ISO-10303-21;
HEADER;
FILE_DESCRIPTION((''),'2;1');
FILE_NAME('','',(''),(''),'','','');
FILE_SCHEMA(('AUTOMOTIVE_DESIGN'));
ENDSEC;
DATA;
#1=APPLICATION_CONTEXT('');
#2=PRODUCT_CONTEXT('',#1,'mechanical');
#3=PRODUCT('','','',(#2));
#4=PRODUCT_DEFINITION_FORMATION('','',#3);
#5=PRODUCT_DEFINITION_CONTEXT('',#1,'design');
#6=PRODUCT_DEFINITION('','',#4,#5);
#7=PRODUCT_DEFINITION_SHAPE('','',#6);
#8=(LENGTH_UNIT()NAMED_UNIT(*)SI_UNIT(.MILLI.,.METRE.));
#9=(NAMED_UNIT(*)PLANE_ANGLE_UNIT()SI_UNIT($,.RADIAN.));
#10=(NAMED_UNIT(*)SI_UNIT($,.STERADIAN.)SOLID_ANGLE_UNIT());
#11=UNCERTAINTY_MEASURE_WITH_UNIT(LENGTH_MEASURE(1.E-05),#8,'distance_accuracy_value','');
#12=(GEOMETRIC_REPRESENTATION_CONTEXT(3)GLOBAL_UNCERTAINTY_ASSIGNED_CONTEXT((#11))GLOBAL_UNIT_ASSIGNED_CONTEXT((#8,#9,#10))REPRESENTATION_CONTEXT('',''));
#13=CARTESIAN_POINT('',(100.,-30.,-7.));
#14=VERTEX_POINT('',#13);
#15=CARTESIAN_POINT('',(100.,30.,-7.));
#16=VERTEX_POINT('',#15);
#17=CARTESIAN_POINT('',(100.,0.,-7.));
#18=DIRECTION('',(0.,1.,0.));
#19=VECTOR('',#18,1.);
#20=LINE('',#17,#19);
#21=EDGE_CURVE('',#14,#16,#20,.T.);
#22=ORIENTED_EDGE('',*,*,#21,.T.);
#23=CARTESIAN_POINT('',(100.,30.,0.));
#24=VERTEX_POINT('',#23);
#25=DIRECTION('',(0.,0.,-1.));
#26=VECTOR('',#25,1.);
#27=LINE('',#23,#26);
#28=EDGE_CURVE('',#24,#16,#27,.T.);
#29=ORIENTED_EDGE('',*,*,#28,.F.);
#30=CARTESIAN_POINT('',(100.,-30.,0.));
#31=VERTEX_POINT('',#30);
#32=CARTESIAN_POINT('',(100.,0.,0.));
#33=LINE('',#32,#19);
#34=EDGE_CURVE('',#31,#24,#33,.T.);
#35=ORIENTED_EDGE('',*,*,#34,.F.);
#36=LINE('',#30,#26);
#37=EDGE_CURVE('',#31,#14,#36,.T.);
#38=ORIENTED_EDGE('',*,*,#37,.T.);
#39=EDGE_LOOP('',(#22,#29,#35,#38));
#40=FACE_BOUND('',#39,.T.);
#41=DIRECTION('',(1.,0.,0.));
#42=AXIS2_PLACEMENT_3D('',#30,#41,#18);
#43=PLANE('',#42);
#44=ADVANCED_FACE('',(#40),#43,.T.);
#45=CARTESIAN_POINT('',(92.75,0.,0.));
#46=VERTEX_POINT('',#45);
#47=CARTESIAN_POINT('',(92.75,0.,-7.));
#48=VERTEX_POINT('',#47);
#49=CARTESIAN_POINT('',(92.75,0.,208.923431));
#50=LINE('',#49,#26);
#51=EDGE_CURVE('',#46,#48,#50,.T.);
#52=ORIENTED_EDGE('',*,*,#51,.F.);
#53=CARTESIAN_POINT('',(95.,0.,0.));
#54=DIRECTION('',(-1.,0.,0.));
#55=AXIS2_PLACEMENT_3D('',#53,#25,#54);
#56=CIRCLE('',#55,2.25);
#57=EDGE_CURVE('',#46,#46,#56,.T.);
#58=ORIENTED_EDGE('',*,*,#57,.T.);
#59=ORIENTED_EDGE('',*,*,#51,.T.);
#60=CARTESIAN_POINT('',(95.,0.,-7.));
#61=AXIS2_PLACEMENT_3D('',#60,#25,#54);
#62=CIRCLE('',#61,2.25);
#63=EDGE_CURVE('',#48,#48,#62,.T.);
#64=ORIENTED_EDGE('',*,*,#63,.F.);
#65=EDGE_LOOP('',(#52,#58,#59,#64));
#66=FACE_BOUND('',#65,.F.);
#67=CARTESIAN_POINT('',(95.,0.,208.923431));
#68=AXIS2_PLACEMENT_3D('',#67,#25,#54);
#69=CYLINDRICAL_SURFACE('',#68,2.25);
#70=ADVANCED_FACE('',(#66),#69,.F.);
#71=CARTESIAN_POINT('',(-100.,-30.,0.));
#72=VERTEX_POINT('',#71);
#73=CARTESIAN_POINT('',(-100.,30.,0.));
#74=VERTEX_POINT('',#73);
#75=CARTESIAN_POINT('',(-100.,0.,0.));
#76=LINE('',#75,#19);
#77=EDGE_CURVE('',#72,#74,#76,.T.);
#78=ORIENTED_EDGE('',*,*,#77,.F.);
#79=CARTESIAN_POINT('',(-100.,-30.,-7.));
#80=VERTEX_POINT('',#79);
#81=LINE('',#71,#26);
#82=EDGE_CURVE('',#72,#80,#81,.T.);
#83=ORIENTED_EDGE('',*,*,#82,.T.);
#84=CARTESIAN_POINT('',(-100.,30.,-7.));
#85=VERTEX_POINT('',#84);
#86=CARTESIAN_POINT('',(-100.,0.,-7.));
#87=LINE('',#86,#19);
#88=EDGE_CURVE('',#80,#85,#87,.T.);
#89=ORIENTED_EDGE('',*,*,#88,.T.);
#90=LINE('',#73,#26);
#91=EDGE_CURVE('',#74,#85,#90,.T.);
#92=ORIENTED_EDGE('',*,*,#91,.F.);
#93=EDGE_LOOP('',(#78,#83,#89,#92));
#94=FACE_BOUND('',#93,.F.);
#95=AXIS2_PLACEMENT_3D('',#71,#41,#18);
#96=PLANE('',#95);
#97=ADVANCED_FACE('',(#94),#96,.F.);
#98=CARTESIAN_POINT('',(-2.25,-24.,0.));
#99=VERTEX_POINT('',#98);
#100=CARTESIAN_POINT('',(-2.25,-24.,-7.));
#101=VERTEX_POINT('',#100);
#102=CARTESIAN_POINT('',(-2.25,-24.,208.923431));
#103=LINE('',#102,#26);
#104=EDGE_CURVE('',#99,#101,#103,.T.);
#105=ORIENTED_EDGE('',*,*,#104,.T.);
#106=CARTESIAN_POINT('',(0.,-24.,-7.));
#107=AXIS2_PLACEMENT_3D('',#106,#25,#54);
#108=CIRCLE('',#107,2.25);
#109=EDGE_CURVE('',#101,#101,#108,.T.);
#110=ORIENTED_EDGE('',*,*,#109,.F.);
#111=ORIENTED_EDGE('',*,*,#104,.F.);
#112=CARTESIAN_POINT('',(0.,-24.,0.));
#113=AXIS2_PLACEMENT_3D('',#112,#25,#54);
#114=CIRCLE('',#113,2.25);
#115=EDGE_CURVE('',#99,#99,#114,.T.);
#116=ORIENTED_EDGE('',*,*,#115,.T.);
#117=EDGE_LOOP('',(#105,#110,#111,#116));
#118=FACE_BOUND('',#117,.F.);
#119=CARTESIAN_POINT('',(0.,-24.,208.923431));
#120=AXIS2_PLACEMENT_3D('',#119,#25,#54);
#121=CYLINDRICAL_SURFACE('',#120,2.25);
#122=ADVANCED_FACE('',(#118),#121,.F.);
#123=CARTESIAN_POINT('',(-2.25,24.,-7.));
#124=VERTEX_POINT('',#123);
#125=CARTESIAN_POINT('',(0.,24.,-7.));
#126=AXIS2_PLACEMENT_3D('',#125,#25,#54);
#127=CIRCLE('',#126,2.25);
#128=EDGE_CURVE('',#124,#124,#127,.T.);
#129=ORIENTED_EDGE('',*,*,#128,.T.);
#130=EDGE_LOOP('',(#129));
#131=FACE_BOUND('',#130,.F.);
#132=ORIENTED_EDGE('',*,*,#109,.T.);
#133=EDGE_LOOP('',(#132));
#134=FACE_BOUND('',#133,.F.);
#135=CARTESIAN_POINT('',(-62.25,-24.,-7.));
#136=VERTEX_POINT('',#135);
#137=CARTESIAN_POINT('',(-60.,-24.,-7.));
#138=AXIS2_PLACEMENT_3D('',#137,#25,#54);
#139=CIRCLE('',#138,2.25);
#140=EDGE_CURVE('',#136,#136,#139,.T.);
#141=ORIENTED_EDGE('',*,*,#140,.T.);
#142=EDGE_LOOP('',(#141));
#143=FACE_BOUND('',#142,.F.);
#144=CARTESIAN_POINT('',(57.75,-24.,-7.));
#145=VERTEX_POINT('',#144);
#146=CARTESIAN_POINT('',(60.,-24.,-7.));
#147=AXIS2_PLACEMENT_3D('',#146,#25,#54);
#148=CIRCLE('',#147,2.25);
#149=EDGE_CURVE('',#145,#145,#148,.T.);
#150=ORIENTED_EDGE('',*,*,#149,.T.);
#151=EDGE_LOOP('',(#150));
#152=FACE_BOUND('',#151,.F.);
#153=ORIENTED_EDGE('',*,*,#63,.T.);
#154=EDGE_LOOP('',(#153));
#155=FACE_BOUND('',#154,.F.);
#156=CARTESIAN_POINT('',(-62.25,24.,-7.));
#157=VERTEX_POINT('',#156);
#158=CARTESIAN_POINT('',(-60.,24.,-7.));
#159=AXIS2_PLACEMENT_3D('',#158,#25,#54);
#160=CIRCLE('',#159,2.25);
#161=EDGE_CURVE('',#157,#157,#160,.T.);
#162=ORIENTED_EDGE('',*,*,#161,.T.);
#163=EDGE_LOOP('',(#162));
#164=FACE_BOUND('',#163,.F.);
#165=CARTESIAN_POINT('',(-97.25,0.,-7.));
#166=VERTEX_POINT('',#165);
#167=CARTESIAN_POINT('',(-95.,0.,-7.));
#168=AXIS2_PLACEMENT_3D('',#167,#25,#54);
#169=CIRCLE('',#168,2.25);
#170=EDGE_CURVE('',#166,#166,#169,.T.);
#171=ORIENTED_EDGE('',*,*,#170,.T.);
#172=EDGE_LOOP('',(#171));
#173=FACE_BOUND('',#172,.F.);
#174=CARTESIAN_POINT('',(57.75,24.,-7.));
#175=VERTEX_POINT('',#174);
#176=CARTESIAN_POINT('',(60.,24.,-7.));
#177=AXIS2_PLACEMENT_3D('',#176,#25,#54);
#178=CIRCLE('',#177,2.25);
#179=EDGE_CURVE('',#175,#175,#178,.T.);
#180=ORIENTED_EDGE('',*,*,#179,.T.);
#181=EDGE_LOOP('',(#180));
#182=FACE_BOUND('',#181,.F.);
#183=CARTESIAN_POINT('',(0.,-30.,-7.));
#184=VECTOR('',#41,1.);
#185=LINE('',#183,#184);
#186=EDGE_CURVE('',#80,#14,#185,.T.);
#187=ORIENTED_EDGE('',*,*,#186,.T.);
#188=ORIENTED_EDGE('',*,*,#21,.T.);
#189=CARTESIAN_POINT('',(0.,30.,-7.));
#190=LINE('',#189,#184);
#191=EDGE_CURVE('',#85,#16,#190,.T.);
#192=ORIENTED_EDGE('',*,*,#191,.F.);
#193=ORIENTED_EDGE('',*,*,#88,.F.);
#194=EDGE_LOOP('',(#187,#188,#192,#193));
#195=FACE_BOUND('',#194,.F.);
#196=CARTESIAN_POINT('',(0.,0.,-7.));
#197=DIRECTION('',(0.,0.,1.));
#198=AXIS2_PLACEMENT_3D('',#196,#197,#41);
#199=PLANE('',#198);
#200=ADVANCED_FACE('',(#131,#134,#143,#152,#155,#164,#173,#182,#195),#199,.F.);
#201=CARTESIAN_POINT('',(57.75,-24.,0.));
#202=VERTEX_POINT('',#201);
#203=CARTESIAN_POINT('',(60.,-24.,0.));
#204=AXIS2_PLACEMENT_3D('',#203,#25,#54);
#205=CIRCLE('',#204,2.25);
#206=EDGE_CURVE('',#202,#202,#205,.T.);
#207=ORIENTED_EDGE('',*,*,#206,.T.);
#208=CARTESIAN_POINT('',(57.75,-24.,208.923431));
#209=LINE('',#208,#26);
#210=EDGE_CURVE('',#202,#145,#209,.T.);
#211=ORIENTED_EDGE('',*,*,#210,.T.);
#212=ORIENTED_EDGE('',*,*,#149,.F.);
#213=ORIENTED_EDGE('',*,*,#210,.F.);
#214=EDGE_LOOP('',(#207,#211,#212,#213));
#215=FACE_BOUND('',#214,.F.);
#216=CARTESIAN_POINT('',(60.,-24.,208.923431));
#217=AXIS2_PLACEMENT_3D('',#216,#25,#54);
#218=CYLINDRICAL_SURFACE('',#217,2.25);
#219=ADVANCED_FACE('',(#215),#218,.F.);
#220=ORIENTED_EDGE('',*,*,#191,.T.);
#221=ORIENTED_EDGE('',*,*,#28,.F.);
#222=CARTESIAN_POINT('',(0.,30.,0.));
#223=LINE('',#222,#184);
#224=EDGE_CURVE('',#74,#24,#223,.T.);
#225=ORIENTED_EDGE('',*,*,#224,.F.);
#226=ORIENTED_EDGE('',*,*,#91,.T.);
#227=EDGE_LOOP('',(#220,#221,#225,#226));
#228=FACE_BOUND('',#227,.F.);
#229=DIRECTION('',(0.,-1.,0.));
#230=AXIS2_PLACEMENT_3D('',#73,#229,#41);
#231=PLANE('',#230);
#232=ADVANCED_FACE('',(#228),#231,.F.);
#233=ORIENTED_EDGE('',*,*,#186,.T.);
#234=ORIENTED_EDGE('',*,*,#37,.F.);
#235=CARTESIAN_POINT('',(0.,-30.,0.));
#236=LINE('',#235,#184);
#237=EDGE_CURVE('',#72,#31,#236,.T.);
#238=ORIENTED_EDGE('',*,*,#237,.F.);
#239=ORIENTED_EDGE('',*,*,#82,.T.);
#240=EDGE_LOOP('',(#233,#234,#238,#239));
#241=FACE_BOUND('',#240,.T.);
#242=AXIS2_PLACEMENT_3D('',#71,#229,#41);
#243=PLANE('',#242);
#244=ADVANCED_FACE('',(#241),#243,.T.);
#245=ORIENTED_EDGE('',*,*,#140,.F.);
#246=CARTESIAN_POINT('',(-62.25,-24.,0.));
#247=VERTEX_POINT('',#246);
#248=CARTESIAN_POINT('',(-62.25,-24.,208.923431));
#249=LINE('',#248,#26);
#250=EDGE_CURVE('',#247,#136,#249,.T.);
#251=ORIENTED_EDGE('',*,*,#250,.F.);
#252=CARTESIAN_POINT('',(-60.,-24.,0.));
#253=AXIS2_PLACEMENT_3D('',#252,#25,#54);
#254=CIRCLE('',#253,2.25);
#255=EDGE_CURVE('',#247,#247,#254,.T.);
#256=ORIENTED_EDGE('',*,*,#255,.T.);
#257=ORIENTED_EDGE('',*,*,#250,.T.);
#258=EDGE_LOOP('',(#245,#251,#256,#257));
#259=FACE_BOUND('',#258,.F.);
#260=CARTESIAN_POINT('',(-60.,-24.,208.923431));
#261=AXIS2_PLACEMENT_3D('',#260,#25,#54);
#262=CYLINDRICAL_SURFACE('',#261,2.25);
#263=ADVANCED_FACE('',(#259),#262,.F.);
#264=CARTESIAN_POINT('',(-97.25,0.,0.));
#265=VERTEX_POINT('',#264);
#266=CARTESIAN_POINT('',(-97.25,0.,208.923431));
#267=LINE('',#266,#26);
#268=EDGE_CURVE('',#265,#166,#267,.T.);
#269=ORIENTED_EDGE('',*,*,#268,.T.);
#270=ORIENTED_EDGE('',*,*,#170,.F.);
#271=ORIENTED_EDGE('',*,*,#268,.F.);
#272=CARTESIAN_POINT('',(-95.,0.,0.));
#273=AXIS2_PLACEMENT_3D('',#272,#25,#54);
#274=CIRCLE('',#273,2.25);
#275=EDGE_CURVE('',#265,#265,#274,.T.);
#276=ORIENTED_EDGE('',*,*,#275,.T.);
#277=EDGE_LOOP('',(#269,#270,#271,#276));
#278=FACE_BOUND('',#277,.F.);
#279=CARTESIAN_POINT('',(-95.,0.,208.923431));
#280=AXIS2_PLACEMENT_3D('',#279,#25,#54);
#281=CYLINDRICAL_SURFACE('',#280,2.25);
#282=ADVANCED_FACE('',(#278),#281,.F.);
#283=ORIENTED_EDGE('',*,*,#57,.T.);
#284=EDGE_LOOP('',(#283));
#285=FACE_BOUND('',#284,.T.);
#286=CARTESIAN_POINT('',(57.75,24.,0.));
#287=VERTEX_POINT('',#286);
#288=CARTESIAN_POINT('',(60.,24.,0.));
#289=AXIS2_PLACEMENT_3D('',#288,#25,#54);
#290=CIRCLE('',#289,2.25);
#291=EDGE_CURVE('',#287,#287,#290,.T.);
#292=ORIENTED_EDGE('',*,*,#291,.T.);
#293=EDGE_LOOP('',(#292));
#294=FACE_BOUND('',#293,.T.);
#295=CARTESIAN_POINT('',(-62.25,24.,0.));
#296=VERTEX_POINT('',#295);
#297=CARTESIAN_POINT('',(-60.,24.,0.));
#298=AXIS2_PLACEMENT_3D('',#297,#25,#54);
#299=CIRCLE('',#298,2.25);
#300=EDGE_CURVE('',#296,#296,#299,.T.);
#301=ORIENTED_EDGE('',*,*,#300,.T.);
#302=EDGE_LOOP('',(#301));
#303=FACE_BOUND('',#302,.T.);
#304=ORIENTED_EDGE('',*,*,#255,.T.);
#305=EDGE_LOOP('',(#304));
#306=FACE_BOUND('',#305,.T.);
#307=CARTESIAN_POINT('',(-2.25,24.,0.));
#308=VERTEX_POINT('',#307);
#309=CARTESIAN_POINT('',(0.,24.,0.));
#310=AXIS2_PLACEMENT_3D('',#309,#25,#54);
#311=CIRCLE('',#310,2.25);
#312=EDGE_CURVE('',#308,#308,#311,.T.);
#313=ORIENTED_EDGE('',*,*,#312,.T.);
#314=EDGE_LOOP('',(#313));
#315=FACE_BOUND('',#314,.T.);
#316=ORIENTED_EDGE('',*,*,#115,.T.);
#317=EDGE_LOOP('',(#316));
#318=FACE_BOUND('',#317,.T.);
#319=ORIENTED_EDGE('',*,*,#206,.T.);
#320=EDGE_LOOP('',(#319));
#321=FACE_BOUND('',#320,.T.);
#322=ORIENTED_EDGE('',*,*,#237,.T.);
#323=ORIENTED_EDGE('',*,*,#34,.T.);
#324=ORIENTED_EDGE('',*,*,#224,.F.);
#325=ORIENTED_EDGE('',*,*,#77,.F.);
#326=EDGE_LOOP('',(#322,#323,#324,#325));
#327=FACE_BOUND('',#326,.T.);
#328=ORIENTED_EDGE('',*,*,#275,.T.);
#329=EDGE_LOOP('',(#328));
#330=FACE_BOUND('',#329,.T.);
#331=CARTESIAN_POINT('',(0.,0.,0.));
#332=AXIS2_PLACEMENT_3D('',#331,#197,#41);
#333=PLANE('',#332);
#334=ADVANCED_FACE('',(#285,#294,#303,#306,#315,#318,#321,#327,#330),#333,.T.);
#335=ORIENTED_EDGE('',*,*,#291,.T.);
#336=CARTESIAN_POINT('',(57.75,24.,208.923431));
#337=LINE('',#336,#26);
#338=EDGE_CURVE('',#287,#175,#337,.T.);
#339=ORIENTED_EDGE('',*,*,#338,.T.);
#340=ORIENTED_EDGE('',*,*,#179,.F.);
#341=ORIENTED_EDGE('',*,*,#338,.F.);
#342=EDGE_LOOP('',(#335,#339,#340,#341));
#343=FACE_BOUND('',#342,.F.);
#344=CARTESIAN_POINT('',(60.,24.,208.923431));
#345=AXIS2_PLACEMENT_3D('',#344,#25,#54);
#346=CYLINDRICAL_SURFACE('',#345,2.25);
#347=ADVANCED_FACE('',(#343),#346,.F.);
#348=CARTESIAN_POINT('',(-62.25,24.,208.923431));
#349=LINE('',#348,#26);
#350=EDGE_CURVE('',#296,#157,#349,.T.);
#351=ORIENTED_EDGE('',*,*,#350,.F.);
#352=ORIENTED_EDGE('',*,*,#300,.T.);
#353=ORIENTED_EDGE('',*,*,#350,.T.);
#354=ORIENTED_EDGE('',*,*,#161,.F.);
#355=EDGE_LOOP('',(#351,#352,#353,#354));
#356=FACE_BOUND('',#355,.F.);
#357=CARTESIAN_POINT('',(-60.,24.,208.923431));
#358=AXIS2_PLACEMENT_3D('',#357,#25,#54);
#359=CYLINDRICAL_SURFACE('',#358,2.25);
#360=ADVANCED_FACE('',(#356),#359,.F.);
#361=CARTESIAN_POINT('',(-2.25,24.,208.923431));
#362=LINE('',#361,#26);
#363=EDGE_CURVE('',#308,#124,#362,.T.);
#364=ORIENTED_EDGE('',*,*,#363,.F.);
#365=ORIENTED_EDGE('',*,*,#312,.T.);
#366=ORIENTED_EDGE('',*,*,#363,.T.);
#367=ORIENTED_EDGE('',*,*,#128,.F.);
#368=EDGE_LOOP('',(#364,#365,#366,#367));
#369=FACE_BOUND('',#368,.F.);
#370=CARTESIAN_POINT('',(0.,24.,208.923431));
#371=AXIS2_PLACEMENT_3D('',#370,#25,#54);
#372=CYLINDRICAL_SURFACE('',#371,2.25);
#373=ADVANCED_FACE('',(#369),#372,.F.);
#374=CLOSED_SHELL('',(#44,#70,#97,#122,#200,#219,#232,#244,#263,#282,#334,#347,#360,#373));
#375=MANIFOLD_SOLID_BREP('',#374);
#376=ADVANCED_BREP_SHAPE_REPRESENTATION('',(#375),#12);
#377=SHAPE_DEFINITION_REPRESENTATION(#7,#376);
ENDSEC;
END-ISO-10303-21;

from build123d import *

# Parameters (mm, degrees)
F0_W     = 200
F0_H     = 60
F1_DEPTH = 7
F2_D     = 4.5


with BuildPart() as f1:
    # F0 (on Top) → F1 (new body)
    with BuildSketch(Plane.XY):
        Rectangle(F0_W, F0_H)
    extrude(amount=-F1_DEPTH)

    # F2 (through all)
    with Locations(Plane.XY):
        with Locations((-60, 24), (60, 24), (60, -24), (-60, -24), (-95, 0), (95, 0), (0, 24), (0, -24)):
            Hole(F2_D / 2)


solid = f1.part
